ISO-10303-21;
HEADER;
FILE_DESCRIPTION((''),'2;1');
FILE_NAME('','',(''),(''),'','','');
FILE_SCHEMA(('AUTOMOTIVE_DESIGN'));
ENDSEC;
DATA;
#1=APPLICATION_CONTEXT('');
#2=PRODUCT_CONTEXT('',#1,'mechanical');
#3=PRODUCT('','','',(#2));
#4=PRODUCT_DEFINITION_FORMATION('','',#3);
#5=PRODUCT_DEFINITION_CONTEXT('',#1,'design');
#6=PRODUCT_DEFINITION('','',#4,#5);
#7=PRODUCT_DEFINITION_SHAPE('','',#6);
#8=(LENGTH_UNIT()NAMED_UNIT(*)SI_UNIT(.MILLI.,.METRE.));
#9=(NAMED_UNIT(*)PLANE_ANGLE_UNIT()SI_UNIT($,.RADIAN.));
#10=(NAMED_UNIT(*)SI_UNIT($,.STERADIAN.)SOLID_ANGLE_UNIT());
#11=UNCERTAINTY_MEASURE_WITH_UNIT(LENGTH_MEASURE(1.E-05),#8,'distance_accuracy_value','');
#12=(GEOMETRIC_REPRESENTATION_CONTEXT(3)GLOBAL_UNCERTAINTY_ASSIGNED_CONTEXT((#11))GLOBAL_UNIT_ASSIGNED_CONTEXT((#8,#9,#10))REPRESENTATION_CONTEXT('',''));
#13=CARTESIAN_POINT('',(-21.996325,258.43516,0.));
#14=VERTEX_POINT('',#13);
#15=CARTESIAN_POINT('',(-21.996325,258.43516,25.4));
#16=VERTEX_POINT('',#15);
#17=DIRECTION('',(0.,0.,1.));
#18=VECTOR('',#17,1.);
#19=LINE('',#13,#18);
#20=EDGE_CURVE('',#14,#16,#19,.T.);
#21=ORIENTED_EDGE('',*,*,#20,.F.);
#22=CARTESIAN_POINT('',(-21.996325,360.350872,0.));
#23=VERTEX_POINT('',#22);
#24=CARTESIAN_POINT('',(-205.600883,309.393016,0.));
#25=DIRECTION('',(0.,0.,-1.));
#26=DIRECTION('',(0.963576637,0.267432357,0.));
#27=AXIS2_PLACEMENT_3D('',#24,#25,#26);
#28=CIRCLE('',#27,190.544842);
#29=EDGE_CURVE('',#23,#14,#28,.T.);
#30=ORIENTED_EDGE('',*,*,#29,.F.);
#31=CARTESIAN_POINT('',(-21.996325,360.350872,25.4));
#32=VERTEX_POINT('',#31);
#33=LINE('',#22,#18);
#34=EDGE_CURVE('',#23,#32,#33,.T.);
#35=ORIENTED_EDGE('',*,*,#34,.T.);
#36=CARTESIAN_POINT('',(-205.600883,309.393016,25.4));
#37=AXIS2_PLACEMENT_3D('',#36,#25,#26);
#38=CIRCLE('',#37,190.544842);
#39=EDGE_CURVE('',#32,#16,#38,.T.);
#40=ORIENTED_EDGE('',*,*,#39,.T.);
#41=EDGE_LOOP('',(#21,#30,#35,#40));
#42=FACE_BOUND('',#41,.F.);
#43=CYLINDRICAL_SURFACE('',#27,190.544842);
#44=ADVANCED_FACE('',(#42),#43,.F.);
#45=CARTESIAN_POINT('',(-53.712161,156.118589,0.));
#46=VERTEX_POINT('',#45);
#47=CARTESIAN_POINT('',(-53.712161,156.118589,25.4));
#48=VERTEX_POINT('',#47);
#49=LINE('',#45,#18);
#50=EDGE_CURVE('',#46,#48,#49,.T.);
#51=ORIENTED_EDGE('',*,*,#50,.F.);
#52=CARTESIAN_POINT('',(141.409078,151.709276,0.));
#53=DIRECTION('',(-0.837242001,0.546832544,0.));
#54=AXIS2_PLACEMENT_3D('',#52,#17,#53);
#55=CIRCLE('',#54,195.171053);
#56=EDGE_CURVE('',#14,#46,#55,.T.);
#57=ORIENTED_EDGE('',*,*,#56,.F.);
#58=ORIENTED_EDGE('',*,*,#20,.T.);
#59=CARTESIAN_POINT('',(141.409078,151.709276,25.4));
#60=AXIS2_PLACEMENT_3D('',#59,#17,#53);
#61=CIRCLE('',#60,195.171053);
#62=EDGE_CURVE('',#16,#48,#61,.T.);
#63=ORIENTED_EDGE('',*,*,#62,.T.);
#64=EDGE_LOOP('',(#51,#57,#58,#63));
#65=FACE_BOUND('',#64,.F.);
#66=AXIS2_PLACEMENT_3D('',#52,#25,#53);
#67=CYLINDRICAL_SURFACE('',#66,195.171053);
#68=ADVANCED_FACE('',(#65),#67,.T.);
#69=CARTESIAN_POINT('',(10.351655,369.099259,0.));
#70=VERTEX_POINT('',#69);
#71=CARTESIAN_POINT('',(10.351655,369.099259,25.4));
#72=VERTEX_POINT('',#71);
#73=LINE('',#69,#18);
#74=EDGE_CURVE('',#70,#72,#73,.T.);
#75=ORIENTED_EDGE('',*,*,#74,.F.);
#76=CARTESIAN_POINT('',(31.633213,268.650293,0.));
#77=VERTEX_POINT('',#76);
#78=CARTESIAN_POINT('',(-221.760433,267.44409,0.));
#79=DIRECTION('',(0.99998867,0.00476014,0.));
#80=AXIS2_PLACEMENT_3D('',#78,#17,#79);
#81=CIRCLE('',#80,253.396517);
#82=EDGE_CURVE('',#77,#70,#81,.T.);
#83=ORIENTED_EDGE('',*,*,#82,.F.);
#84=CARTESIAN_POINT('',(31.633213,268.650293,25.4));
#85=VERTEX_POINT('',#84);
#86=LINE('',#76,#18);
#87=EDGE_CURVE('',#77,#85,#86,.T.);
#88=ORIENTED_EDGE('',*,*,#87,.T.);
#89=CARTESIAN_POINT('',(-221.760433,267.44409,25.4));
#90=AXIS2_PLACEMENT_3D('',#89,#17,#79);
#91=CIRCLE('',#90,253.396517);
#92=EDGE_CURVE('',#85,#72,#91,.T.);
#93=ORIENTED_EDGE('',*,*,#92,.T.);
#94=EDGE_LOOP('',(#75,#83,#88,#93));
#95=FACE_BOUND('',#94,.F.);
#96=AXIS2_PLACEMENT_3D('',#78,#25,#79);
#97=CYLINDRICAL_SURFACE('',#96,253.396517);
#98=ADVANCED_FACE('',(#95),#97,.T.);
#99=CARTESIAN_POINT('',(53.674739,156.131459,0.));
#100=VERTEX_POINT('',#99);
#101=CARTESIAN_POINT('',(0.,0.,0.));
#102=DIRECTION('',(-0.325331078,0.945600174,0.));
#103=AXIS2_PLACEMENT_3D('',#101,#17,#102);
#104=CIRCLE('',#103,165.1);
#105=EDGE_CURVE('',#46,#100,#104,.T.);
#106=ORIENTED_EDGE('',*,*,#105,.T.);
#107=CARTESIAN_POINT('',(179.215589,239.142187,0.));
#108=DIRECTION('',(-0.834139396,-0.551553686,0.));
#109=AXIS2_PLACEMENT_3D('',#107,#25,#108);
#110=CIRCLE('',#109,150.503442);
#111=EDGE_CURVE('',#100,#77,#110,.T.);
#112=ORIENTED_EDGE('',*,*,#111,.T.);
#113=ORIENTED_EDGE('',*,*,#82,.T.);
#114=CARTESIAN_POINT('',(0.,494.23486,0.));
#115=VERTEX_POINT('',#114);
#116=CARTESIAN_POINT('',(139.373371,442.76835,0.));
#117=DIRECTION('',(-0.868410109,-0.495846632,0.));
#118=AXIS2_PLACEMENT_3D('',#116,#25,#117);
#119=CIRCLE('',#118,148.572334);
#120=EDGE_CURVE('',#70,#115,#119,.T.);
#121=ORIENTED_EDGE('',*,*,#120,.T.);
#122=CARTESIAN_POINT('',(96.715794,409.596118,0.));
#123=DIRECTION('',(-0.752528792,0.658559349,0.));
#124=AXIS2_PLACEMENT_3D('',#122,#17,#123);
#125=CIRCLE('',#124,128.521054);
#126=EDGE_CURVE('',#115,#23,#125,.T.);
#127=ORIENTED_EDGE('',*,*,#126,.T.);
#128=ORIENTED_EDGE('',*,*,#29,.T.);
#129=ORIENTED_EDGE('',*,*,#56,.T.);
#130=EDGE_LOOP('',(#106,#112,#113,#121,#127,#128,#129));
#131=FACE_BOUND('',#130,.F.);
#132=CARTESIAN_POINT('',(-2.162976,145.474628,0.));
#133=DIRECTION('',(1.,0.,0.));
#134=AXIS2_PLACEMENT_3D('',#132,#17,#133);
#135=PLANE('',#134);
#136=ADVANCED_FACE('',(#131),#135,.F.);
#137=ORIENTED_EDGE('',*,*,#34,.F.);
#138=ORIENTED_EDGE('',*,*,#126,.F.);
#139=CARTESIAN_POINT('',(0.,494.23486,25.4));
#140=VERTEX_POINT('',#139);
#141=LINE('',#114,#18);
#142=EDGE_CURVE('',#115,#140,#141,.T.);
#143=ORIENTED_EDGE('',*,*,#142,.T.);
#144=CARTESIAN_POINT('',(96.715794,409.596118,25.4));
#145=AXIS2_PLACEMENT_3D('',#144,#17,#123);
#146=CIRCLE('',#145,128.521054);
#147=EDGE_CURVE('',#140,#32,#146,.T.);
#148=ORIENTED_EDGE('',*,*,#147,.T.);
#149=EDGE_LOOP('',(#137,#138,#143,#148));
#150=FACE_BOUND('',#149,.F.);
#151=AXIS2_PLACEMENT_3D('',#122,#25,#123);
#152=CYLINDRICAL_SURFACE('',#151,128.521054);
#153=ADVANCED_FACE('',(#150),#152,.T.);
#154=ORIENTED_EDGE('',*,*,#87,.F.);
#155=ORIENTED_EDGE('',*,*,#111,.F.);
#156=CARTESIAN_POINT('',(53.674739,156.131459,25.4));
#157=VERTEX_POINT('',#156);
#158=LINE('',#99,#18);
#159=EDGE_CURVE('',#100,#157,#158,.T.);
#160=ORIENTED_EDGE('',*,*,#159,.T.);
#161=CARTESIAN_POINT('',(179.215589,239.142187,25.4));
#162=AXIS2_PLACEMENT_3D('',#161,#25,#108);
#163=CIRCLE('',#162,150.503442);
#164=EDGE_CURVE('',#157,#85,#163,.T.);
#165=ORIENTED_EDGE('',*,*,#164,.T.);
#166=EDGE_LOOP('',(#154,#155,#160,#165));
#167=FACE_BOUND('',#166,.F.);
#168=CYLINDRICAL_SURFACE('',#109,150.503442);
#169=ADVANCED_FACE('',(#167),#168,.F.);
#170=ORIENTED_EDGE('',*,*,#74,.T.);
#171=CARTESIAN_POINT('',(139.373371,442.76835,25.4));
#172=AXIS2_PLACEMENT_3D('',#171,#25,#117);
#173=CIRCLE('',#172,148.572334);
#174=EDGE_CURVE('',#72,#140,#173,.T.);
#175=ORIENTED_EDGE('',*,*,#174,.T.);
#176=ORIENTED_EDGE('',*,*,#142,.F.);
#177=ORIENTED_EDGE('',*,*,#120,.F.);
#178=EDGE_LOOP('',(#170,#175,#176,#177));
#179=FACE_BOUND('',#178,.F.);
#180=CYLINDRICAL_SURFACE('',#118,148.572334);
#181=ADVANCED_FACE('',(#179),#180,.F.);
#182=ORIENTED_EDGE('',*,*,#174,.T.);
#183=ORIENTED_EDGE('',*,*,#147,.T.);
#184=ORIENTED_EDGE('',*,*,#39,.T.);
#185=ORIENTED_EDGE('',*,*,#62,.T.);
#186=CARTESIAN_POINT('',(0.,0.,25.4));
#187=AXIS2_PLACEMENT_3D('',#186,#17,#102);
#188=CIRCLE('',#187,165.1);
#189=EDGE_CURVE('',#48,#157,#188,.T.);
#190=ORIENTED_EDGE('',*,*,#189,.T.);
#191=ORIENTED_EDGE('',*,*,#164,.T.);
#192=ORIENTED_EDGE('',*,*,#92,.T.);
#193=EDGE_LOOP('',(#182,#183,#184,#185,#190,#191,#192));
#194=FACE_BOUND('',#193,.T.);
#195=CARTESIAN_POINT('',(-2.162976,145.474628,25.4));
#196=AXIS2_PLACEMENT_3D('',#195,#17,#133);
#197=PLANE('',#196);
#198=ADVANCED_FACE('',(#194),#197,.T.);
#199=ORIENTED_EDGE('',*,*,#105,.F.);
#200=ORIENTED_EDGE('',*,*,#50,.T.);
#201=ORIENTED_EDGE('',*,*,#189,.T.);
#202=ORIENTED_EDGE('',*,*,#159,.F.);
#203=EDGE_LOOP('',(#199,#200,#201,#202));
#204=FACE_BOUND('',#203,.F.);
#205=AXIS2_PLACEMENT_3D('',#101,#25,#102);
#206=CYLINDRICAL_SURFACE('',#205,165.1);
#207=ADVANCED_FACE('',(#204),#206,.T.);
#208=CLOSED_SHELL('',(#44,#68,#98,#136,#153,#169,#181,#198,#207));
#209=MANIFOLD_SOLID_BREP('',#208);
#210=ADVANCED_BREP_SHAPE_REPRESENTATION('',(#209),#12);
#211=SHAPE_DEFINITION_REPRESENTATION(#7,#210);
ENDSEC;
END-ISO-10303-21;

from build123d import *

# Parameters (mm, degrees)
F1_DEPTH = 25.4


with BuildPart() as f1:
    # F0 (on Top) → F1 (new body)
    with BuildSketch(Plane.XY):
        with BuildLine():
            ThreePointArc((-21.996325, 258.43516), (-45.011169, 209.49536), (-53.712161, 156.118589))
            ThreePointArc((-53.712161, 156.118589), (0.019787, -165.099999), (53.674739, 156.131459))
            ThreePointArc((53.674739, 156.131459), (31.519292, 210.209682), (31.633213, 268.650293))
            ThreePointArc((31.633213, 268.650293), (26.133603, 319.964007), (10.351655, 369.099259))
            ThreePointArc((10.351655, 369.099259), (-8.693203, 430.519765), (0, 494.23486))
            ThreePointArc((0, 494.23486), (-30.105052, 430.432012), (-21.996325, 360.350872))
            ThreePointArc((-21.996325, 360.350872), (-15.056041, 309.393016), (-21.996325, 258.43516))
        make_face()
    extrude(amount=F1_DEPTH)


solid = f1.part
